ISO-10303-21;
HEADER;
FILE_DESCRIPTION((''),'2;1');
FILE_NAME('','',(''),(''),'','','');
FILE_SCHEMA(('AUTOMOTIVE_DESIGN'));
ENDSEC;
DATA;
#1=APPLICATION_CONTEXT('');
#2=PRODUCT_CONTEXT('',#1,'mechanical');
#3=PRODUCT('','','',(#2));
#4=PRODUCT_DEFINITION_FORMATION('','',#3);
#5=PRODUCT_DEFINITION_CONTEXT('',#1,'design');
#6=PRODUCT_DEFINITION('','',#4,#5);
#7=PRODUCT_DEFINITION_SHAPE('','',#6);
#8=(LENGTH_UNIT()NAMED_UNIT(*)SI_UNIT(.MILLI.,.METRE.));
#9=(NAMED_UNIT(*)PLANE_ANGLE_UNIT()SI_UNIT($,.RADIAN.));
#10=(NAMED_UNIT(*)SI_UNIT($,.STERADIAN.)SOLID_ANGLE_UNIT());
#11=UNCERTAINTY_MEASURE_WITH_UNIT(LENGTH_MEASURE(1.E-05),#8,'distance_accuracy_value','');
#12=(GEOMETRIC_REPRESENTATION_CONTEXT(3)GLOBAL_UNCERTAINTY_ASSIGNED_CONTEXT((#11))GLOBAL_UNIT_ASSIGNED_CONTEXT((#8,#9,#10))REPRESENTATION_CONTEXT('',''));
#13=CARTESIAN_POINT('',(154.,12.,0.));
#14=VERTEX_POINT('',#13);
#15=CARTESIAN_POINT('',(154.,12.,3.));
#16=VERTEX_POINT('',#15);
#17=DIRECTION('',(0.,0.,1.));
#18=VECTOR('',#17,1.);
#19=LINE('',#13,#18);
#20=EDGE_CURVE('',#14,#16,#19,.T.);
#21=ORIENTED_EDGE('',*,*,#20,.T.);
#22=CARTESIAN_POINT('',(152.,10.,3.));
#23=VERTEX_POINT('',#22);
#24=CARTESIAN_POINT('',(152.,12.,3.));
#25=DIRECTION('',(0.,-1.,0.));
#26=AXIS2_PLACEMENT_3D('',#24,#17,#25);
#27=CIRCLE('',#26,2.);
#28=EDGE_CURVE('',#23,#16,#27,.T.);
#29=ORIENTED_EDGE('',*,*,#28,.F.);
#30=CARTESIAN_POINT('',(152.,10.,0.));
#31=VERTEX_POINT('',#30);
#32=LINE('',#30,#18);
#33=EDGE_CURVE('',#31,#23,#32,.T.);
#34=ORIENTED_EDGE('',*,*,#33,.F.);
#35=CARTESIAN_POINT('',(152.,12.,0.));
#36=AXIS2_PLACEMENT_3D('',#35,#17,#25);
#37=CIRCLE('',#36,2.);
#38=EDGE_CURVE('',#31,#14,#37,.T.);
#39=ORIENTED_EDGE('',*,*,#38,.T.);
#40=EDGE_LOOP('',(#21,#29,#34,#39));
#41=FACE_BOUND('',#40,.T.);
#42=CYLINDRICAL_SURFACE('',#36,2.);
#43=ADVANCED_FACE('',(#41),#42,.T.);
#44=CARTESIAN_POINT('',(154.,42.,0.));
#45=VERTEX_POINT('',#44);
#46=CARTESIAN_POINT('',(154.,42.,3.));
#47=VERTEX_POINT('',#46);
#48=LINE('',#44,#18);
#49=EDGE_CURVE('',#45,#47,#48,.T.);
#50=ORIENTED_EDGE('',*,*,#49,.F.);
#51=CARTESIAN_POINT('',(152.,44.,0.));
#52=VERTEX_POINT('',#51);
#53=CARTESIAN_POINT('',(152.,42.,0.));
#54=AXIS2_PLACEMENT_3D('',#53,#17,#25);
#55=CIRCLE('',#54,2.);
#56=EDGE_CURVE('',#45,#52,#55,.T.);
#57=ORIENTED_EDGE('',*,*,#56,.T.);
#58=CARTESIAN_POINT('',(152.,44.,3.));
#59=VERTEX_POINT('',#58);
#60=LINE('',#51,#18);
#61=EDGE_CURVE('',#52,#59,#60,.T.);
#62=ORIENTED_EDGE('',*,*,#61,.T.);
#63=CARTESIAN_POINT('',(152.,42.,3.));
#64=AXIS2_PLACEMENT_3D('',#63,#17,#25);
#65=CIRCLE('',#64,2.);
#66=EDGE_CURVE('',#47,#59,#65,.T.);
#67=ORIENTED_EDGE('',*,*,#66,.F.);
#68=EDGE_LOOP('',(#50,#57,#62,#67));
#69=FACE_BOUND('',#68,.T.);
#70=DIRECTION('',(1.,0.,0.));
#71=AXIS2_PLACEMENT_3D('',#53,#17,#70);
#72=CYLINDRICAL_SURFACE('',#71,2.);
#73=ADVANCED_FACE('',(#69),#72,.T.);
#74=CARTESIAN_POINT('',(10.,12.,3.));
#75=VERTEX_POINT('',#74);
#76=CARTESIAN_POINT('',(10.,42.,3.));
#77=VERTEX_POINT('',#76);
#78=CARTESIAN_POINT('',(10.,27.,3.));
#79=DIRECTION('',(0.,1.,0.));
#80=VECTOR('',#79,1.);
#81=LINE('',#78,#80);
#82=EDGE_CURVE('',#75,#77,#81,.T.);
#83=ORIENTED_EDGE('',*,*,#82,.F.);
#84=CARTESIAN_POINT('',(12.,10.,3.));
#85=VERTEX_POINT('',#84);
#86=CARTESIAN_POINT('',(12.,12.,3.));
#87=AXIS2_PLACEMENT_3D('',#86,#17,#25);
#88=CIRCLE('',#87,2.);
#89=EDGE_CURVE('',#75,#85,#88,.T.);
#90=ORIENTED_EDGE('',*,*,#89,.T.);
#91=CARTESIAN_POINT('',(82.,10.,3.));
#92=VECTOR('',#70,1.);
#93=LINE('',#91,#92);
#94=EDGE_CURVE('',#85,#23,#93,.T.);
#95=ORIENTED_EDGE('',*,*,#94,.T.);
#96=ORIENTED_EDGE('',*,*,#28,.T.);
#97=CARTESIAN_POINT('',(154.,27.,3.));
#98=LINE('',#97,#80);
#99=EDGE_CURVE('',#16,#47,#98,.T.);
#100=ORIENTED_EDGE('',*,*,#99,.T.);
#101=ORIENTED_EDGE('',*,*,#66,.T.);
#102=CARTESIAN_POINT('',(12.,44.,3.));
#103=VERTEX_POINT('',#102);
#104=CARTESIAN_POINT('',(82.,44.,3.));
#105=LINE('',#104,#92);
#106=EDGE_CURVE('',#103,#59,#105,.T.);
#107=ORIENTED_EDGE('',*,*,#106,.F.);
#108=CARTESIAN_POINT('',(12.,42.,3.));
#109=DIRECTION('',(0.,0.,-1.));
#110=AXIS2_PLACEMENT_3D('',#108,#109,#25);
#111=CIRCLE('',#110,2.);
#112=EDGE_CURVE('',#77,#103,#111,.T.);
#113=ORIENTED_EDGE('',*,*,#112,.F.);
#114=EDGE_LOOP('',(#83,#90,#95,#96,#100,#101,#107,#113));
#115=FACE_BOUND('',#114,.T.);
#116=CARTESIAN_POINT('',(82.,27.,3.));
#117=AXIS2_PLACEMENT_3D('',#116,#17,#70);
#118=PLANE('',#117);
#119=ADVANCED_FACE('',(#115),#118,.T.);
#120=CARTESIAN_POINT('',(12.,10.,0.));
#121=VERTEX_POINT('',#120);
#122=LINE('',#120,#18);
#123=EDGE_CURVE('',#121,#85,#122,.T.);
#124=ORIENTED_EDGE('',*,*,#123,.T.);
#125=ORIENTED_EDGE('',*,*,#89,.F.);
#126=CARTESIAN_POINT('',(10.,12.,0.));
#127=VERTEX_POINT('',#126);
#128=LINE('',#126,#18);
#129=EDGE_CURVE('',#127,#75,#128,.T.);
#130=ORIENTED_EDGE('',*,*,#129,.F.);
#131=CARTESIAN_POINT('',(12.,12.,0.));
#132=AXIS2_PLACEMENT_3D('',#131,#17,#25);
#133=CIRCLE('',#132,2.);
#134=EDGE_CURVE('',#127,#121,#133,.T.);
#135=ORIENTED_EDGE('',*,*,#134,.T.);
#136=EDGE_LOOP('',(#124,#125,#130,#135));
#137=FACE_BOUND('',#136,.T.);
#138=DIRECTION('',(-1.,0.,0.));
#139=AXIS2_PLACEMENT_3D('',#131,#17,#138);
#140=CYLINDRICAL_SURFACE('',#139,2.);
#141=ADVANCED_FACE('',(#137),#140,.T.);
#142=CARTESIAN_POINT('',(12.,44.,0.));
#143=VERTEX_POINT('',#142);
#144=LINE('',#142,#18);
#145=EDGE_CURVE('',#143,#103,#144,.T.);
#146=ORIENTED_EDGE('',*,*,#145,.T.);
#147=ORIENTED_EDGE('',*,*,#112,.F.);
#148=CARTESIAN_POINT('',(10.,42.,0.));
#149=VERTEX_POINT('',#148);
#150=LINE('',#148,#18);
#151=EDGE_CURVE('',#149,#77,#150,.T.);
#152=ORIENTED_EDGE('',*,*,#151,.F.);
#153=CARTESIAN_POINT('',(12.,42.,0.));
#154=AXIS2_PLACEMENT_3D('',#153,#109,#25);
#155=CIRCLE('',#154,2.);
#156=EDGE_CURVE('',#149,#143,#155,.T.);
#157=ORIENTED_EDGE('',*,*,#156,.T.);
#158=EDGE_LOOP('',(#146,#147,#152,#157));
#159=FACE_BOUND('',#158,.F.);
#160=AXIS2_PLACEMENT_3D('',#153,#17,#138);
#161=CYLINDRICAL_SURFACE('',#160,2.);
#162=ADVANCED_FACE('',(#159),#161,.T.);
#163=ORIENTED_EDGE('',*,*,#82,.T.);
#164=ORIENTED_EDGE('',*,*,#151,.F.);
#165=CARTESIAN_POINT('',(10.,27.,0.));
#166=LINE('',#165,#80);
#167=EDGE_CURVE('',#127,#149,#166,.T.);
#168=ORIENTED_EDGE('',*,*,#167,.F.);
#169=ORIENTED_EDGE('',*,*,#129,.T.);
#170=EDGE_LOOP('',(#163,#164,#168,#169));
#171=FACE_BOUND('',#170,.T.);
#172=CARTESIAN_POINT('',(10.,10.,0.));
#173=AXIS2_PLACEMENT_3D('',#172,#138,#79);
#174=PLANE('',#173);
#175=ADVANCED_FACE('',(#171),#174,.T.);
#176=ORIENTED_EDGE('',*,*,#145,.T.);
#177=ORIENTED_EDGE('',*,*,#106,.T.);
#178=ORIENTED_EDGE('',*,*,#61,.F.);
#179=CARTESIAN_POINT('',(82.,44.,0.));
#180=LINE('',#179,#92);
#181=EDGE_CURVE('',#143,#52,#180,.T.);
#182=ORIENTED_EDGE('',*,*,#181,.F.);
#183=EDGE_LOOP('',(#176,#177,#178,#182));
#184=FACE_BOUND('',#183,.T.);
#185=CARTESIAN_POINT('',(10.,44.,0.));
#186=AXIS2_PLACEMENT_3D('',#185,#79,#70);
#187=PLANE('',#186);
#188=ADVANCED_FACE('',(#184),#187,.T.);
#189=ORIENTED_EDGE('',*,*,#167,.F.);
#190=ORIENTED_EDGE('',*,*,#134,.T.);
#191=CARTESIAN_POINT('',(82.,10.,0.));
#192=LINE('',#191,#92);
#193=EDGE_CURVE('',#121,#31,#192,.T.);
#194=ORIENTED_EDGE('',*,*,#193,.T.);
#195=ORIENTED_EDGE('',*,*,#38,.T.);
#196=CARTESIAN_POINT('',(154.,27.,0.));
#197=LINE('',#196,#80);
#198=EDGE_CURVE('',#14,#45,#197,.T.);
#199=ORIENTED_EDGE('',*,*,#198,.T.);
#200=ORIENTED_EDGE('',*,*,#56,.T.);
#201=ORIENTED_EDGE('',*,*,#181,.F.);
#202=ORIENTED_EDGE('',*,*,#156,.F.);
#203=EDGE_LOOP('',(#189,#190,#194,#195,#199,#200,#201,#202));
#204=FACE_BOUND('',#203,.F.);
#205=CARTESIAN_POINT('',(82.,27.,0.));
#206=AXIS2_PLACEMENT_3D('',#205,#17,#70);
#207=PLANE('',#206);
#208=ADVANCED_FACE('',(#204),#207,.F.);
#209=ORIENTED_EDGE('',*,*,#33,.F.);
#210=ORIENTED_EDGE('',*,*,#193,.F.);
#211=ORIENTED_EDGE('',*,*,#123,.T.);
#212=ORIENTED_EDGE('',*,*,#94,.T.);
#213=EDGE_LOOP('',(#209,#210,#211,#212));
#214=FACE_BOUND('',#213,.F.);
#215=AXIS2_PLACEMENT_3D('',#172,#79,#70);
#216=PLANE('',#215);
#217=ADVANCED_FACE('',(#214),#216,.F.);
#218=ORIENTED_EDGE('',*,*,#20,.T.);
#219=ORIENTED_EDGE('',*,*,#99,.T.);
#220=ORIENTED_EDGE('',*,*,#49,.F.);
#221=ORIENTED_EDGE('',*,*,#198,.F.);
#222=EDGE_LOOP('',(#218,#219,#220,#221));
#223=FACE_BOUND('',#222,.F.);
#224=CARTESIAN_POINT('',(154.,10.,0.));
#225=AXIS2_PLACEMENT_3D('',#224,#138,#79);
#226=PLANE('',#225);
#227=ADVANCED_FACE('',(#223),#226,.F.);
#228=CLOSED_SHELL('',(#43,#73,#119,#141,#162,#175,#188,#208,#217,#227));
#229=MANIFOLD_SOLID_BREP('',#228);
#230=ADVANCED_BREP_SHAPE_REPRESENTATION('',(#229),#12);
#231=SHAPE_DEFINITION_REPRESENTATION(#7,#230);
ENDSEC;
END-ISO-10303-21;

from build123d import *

# Parameters (mm, degrees)
SKETCH_W  = 144
SKETCH_H  = 34
PAD_DEPTH = 3
FILLET_R  = 2


with BuildPart() as part:
    # Sketch → Pad (new body)
    with BuildSketch(Plane.XY):
        with Locations((82, 27)):
            Rectangle(SKETCH_W, SKETCH_H)
    extrude(amount=PAD_DEPTH)

    # Fillet
    fillet_edges = [part.edges().sort_by_distance(p)[0] for p in [
        (10, 10, 1.5),
        (154, 10, 1.5),
        (154, 44, 1.5),
        (10, 44, 1.5),
    ]]
    fillet(fillet_edges, radius=FILLET_R)


solid = part.part
